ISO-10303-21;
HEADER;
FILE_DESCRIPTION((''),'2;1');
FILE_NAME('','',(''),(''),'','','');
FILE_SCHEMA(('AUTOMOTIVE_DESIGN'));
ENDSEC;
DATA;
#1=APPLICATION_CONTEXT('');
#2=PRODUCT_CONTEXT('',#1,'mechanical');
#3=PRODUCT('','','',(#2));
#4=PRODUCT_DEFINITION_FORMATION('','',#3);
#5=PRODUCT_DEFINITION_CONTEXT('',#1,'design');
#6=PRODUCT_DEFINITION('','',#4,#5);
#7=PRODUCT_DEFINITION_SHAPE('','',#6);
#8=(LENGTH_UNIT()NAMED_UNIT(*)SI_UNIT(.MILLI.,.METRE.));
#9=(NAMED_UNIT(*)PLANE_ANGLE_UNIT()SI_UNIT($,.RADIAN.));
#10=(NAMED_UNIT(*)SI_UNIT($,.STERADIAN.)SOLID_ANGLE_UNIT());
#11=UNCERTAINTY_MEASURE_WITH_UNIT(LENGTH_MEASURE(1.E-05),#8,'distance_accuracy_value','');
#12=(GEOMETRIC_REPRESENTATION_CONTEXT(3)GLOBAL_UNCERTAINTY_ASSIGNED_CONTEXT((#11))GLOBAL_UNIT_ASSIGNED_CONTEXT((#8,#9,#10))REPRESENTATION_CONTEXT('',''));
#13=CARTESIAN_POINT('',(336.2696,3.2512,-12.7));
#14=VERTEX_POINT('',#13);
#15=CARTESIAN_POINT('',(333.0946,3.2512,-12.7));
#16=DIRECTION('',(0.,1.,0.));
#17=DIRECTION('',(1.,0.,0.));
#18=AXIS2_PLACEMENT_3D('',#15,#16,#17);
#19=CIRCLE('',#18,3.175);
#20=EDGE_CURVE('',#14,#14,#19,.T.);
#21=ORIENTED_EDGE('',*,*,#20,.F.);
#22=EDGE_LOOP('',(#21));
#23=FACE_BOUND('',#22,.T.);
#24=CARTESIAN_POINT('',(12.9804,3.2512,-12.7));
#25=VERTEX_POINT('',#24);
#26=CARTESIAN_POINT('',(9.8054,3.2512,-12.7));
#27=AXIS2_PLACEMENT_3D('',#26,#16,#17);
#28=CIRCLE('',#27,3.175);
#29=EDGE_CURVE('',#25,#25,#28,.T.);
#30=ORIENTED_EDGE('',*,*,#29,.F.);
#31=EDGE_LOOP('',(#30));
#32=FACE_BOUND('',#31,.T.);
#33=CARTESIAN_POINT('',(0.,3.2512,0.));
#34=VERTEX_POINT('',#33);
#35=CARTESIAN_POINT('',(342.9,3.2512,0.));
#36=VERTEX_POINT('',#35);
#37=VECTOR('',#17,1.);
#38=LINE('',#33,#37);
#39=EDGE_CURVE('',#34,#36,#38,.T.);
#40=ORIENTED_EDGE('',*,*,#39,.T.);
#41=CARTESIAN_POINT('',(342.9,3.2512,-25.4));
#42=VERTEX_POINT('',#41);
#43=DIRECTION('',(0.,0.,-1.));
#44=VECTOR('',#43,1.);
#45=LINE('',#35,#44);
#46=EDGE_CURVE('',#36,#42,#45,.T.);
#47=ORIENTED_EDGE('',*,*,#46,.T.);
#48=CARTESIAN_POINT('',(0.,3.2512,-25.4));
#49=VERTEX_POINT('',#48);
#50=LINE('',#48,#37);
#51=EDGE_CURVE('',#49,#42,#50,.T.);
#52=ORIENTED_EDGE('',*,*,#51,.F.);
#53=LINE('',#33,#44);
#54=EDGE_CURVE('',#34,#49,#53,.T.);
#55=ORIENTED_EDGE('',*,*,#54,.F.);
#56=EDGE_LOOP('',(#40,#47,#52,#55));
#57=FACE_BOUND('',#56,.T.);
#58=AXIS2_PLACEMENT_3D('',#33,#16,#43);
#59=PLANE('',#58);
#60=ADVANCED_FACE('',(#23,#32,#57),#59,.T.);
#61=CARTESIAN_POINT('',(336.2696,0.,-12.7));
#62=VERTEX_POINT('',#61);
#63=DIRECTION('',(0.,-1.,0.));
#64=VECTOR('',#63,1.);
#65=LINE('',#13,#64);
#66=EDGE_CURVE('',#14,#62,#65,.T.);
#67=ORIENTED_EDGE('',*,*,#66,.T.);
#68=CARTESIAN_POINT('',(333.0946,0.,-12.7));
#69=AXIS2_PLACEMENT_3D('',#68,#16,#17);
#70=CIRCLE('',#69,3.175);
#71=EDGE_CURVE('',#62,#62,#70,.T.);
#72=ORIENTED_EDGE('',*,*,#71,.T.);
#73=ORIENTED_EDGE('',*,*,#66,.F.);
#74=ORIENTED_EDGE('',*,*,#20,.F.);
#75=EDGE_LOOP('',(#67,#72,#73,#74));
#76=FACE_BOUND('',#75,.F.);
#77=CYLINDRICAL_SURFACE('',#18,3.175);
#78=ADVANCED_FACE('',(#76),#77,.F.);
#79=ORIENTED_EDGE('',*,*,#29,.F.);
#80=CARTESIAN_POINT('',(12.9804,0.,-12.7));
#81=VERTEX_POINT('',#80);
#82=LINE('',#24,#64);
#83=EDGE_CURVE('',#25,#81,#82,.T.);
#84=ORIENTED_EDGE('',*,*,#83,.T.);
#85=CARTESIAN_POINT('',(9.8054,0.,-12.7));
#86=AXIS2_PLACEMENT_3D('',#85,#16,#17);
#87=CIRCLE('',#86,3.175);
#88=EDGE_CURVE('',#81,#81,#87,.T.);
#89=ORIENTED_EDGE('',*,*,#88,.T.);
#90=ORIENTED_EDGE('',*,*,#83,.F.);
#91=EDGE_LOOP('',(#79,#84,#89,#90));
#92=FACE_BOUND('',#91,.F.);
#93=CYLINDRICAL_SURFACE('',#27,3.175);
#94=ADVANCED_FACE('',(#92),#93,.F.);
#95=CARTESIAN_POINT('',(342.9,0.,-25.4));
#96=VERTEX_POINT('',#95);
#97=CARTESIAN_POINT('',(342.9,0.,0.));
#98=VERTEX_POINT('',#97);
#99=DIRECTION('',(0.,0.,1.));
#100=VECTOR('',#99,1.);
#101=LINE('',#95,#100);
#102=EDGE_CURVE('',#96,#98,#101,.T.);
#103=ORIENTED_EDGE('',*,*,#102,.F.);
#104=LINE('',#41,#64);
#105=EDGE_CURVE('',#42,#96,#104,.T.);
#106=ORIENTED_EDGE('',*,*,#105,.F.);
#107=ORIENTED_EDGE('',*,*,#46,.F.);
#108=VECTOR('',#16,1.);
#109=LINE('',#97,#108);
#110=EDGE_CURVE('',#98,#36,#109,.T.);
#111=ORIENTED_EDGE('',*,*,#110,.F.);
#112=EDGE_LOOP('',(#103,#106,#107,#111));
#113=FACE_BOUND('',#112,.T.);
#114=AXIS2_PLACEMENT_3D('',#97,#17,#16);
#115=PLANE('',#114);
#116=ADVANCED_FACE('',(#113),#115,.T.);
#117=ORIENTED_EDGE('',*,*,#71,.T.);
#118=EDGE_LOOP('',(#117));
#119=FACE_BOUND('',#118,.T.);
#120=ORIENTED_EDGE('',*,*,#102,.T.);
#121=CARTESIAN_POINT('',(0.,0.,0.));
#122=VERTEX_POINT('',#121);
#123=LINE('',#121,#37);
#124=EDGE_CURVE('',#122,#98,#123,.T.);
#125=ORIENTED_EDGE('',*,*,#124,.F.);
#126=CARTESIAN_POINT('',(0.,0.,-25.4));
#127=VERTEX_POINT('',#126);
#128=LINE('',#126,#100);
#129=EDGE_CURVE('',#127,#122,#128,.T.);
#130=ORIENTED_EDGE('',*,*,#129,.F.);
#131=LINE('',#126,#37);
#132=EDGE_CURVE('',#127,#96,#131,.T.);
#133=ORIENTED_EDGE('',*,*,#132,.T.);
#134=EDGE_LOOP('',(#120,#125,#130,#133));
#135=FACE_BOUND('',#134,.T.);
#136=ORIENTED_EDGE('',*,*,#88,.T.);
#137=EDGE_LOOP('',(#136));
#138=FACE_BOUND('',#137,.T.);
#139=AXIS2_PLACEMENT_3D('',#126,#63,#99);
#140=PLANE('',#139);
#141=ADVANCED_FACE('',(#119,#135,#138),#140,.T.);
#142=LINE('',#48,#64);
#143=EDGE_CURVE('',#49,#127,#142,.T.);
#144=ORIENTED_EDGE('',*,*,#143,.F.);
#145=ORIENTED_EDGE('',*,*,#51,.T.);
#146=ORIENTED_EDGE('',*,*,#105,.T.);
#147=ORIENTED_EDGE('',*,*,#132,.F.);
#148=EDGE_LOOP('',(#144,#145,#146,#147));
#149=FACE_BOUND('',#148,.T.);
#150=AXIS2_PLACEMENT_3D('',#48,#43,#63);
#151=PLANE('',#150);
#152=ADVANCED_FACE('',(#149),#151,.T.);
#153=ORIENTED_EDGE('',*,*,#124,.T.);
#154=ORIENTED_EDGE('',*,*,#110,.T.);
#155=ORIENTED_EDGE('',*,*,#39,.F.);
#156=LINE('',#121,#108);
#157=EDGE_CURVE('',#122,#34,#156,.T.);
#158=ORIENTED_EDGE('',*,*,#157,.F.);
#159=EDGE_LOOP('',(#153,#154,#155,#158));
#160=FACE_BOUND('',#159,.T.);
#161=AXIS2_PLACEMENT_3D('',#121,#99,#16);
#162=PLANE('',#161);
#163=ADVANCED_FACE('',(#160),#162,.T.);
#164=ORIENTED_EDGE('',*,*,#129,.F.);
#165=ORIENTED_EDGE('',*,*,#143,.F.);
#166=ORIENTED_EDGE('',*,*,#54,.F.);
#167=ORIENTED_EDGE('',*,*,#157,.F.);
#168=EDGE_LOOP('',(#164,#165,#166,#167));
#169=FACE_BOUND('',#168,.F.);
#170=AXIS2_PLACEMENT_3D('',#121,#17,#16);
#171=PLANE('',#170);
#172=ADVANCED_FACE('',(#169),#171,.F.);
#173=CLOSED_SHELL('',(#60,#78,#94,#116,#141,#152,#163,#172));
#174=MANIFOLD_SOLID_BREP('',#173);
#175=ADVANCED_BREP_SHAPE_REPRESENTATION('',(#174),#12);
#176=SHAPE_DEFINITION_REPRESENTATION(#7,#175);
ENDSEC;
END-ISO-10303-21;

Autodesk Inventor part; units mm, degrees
ref_plane "YZ Plane" through (0, 0, 0) normal (1, 0, 0) x (0, 1, 0)
ref_plane "XZ Plane" through (0, 0, 0) normal (0, 1, 0) x (-1, 0, 0)
ref_plane "XY Plane" through (0, 0, 0) normal (0, 0, 1) x (1, 0, 0)
sketch "Sketch1" plane through (0, 0, 0) normal (1, 0, 0) x (0, 1, 0)
  line L0 (0, 0) -> (3.2512, 0)
  line L1 (3.2512, 0) -> (3.2512, -25.4)
  line L2 (3.2512, -25.4) -> (0, -25.4)
  line L3 (0, -25.4) -> (0, 0)
  dimension "d0" = 3.2512
  dimension "d1" = 25.4
extrude "Extrusion1" add sketch "Sketch1" along normal blind 342.9
sketch "Sketch2" plane through (0, 3.2512, 0) normal (0, 1, 0) x (1, 0, 0)
  line L0 (0, 25.4) -> (0, 0) projected
  line L1 (0, 12.7) -> (79.8876, 12.7) construction
  line L2 (0, 25.4) -> (342.9, 25.4) projected
  line L3 (171.45, 25.4) -> (171.45, 2.728) construction
  circle A0 centre (9.8054, 12.7) radius 3.175
  line L4 (342.9, 12.7) -> (263.0124, 12.7) construction
  circle A1 centre (333.0946, 12.7) radius 3.175
  dimension "d4" = 6.35
  dimension "d5" = 161.6446
extrude "Extrusion2" cut sketch "Sketch2" against normal blind 342.9
properties part number "Flat 2"
